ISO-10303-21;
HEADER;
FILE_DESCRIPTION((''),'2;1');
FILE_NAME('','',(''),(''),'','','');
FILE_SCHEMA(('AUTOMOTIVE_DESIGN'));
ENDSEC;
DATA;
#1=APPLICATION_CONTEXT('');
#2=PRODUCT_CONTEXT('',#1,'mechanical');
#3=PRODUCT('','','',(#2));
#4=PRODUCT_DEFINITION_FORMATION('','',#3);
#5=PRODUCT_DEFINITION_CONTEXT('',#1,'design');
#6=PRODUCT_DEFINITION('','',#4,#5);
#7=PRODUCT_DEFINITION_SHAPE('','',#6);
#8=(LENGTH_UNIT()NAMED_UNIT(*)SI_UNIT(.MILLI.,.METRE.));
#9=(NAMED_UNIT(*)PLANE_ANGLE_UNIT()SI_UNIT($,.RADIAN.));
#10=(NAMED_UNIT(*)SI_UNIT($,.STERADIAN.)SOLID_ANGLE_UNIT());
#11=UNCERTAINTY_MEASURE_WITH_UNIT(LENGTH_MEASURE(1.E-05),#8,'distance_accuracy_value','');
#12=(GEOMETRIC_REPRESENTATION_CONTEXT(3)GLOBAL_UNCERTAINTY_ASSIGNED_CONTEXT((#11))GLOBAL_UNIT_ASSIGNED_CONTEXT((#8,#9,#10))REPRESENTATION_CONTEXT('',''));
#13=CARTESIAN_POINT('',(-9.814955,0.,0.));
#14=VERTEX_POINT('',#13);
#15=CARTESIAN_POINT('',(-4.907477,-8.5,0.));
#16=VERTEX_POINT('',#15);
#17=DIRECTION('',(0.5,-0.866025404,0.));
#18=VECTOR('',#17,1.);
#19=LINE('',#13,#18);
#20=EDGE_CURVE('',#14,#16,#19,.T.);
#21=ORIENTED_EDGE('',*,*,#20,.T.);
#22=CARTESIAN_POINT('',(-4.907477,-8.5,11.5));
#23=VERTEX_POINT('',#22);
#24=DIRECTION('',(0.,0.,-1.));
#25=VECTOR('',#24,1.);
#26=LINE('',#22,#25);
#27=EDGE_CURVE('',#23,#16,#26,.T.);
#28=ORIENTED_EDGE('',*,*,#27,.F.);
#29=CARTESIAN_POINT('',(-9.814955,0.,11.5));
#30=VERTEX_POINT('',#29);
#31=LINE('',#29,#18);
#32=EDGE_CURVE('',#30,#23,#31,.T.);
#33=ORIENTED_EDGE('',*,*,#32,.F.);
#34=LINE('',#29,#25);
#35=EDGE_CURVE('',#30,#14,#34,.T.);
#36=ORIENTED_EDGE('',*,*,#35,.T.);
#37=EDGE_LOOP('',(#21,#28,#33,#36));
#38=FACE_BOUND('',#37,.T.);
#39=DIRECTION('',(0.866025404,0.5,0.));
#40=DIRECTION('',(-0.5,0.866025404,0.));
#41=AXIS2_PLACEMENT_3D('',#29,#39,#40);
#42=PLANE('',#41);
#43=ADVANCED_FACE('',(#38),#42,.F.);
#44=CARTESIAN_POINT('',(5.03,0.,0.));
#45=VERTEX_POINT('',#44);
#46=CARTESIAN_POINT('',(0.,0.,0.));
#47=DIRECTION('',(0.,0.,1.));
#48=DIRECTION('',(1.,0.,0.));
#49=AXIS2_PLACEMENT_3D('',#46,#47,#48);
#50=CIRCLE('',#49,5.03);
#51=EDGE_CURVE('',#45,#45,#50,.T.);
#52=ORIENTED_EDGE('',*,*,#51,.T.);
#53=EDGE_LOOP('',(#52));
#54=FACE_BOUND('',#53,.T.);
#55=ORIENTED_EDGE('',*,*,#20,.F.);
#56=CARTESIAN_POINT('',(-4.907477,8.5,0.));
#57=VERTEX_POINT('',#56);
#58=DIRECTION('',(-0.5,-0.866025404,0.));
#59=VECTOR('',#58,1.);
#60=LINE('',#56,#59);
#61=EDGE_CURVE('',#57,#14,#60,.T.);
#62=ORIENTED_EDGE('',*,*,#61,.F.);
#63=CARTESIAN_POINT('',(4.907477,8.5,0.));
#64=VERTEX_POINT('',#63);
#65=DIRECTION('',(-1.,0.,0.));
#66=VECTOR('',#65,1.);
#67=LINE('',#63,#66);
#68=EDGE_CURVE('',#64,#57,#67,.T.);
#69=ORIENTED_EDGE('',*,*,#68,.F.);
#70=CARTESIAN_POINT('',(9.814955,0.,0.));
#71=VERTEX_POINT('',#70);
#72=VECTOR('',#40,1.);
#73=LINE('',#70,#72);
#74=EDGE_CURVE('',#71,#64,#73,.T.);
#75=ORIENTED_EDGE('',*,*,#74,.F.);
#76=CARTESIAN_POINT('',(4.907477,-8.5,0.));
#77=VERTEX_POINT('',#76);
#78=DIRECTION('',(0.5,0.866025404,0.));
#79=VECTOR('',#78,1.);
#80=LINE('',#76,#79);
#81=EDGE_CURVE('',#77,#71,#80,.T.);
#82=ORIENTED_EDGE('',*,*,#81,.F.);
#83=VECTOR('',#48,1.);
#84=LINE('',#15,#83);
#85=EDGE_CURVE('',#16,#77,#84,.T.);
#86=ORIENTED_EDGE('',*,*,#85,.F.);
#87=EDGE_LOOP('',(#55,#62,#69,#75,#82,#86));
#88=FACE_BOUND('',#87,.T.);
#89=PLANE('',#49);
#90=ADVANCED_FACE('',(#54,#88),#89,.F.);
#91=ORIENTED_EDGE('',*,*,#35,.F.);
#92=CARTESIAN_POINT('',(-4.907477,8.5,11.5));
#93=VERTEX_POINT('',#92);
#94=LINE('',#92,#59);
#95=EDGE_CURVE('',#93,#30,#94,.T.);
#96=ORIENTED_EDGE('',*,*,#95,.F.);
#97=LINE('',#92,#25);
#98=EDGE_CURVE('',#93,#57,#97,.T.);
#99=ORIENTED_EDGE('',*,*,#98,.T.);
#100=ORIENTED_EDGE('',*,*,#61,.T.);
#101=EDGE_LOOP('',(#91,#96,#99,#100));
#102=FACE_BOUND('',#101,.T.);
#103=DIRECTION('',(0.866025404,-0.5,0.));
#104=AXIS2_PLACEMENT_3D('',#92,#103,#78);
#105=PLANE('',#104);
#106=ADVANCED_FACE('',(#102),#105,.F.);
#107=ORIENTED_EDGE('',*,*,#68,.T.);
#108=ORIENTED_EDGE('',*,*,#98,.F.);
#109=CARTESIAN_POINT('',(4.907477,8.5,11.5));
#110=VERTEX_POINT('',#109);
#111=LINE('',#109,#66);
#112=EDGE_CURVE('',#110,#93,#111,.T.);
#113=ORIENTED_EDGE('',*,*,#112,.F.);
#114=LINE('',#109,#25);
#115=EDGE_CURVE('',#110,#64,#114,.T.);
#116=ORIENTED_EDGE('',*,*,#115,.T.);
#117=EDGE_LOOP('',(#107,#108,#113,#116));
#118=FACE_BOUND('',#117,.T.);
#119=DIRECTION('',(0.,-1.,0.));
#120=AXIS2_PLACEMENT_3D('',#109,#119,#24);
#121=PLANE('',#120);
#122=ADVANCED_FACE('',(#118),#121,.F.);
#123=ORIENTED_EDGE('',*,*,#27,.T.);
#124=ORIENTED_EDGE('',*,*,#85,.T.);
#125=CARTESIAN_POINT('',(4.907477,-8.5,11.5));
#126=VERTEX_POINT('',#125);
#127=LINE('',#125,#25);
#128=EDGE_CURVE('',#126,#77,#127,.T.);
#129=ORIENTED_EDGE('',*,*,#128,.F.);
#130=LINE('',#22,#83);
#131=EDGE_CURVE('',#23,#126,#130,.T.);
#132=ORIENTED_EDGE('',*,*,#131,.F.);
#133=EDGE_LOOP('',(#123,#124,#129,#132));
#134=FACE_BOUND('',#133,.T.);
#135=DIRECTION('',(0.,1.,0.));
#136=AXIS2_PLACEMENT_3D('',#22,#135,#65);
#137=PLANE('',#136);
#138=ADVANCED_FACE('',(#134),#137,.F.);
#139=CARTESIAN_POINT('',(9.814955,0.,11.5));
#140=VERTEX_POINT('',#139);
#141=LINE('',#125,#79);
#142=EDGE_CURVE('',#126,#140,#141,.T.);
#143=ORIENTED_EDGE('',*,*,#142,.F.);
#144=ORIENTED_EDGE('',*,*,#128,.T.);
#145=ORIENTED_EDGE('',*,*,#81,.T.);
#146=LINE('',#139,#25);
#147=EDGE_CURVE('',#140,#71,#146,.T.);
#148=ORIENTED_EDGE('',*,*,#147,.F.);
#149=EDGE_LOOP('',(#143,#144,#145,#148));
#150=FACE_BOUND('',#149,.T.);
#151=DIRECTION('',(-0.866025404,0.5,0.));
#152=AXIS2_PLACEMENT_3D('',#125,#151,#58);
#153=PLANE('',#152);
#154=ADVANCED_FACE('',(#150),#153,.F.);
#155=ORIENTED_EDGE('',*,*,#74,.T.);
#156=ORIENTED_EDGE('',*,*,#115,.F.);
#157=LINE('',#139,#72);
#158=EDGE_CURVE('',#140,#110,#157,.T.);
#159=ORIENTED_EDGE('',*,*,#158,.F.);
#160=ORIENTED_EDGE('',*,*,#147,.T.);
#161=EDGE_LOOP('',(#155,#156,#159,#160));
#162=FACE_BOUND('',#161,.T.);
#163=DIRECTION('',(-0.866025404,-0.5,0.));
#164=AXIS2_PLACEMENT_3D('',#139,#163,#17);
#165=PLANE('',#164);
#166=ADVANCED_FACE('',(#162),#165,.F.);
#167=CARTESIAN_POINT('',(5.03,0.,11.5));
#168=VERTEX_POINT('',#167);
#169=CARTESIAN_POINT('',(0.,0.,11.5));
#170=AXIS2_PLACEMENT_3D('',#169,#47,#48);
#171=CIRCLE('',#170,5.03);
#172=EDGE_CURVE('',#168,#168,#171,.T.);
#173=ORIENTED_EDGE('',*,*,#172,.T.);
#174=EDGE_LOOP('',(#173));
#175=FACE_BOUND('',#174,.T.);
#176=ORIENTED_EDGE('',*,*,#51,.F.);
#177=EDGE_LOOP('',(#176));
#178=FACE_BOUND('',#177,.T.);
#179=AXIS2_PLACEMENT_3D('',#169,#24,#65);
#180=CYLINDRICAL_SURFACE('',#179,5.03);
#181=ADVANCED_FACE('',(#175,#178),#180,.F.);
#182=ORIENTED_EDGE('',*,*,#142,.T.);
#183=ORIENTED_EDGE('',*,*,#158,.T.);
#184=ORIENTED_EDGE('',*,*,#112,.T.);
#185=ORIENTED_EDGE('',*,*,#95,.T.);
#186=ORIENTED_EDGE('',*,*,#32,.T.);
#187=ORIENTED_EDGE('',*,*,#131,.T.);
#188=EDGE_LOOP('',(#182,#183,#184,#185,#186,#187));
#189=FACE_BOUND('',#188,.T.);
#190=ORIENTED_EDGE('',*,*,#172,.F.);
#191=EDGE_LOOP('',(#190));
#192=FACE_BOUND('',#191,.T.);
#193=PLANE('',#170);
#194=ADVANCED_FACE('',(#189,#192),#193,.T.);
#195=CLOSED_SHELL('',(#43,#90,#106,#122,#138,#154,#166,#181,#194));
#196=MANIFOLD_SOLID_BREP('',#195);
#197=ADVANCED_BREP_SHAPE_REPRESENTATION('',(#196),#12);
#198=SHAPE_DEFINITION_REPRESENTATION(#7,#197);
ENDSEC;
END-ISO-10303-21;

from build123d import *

# Parameters (mm, degrees)
S01_HEXAGON_AND_NOMINAL_THREAD_ENVELOP_R       = 5.03
F_01_HEXAGON_AND_NOMINAL_THREAD_ENVELOPE_DEPTH = 11.5


with BuildPart() as part:
    # S01 - Hexagon and nominal thread envelope → 01 - Hexagon and nominal thread envelope (new body)
    with BuildSketch(Plane.XY):
        Polygon((9.814954576, 0), (4.907477288, 8.5), (-4.907477288, 8.5), (-9.814954576, 0), (-4.907477288, -8.5), (4.907477288, -8.5), align=None)
        Circle(S01_HEXAGON_AND_NOMINAL_THREAD_ENVELOP_R, mode=Mode.SUBTRACT)
    extrude(amount=F_01_HEXAGON_AND_NOMINAL_THREAD_ENVELOPE_DEPTH)


solid = part.part
